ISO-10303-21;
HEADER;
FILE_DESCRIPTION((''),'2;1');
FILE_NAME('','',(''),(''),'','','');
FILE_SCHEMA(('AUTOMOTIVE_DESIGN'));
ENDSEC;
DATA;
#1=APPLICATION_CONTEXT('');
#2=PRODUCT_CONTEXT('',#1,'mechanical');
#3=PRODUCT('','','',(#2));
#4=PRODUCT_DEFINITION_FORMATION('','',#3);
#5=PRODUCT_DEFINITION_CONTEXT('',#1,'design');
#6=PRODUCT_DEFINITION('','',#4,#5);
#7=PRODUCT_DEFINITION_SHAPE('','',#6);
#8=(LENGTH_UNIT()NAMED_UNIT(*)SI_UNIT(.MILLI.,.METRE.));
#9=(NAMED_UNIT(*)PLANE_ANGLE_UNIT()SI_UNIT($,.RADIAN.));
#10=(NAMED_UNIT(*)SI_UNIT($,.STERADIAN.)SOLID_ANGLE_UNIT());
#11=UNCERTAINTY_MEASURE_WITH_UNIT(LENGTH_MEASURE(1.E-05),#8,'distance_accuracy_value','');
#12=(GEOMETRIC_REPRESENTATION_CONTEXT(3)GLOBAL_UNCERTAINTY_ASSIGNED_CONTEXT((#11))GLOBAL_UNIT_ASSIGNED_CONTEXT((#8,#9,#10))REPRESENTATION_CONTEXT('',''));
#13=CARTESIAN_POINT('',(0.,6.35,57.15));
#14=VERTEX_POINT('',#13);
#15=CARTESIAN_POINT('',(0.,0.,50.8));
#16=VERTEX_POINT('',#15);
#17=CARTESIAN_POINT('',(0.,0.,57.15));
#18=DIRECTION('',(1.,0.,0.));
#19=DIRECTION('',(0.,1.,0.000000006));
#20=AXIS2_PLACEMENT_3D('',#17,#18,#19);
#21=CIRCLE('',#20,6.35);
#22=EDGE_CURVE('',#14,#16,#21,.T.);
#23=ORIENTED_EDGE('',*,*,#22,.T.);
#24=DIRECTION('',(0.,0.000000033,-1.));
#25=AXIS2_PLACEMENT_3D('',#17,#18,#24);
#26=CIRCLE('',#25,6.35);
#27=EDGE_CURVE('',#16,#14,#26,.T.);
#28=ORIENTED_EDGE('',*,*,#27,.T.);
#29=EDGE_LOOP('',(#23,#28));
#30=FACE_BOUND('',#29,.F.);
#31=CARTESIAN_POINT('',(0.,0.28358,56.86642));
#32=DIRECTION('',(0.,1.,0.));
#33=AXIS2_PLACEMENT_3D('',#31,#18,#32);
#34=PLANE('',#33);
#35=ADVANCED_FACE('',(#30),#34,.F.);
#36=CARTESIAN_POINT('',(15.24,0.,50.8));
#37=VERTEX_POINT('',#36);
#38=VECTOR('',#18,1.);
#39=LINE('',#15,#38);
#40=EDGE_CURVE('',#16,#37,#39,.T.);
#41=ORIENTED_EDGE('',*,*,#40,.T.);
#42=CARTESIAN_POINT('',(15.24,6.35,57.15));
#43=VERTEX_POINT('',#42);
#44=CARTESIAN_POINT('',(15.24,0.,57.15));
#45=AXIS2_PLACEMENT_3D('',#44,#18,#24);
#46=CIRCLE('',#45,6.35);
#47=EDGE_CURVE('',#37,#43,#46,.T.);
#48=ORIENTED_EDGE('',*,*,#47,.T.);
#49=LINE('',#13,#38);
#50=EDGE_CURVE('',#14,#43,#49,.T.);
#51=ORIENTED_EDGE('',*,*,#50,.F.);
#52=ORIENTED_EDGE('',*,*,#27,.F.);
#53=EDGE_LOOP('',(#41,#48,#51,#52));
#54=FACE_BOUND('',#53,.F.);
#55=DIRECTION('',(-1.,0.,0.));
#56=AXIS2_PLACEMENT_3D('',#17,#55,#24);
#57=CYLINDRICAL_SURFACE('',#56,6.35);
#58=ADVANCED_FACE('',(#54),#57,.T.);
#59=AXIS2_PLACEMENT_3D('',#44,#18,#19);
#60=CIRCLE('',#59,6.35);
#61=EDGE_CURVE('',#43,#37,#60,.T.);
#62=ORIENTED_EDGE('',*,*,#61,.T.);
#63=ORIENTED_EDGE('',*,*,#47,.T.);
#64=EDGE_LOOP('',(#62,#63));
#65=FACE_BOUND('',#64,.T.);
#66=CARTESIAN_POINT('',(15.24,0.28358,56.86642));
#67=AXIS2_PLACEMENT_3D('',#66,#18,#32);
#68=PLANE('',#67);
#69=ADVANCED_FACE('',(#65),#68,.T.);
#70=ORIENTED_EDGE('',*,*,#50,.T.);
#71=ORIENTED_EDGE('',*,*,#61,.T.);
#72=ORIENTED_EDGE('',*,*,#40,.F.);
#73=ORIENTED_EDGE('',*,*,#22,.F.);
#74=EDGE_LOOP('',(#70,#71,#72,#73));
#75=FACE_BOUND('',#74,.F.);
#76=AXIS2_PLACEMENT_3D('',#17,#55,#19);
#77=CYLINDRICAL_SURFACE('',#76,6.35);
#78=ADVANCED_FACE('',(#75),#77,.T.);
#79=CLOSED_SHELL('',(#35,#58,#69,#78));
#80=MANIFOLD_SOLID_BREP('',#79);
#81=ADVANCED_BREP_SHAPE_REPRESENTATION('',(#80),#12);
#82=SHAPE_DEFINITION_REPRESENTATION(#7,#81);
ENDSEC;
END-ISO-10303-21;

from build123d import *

# Parameters (mm, degrees)
F1_DEPTH = 15.24


with BuildPart() as f1:
    # F0 (on Right) → F1 (new body)
    with BuildSketch(Plane.YZ):
        with BuildLine():
            ThreePointArc((6.35, 57.15), (-4.490128, 61.640128), (0, 50.8))
            ThreePointArc((0, 50.8), (4.490128, 52.659872), (6.35, 57.15))
        make_face()
    extrude(amount=F1_DEPTH)


solid = f1.part
